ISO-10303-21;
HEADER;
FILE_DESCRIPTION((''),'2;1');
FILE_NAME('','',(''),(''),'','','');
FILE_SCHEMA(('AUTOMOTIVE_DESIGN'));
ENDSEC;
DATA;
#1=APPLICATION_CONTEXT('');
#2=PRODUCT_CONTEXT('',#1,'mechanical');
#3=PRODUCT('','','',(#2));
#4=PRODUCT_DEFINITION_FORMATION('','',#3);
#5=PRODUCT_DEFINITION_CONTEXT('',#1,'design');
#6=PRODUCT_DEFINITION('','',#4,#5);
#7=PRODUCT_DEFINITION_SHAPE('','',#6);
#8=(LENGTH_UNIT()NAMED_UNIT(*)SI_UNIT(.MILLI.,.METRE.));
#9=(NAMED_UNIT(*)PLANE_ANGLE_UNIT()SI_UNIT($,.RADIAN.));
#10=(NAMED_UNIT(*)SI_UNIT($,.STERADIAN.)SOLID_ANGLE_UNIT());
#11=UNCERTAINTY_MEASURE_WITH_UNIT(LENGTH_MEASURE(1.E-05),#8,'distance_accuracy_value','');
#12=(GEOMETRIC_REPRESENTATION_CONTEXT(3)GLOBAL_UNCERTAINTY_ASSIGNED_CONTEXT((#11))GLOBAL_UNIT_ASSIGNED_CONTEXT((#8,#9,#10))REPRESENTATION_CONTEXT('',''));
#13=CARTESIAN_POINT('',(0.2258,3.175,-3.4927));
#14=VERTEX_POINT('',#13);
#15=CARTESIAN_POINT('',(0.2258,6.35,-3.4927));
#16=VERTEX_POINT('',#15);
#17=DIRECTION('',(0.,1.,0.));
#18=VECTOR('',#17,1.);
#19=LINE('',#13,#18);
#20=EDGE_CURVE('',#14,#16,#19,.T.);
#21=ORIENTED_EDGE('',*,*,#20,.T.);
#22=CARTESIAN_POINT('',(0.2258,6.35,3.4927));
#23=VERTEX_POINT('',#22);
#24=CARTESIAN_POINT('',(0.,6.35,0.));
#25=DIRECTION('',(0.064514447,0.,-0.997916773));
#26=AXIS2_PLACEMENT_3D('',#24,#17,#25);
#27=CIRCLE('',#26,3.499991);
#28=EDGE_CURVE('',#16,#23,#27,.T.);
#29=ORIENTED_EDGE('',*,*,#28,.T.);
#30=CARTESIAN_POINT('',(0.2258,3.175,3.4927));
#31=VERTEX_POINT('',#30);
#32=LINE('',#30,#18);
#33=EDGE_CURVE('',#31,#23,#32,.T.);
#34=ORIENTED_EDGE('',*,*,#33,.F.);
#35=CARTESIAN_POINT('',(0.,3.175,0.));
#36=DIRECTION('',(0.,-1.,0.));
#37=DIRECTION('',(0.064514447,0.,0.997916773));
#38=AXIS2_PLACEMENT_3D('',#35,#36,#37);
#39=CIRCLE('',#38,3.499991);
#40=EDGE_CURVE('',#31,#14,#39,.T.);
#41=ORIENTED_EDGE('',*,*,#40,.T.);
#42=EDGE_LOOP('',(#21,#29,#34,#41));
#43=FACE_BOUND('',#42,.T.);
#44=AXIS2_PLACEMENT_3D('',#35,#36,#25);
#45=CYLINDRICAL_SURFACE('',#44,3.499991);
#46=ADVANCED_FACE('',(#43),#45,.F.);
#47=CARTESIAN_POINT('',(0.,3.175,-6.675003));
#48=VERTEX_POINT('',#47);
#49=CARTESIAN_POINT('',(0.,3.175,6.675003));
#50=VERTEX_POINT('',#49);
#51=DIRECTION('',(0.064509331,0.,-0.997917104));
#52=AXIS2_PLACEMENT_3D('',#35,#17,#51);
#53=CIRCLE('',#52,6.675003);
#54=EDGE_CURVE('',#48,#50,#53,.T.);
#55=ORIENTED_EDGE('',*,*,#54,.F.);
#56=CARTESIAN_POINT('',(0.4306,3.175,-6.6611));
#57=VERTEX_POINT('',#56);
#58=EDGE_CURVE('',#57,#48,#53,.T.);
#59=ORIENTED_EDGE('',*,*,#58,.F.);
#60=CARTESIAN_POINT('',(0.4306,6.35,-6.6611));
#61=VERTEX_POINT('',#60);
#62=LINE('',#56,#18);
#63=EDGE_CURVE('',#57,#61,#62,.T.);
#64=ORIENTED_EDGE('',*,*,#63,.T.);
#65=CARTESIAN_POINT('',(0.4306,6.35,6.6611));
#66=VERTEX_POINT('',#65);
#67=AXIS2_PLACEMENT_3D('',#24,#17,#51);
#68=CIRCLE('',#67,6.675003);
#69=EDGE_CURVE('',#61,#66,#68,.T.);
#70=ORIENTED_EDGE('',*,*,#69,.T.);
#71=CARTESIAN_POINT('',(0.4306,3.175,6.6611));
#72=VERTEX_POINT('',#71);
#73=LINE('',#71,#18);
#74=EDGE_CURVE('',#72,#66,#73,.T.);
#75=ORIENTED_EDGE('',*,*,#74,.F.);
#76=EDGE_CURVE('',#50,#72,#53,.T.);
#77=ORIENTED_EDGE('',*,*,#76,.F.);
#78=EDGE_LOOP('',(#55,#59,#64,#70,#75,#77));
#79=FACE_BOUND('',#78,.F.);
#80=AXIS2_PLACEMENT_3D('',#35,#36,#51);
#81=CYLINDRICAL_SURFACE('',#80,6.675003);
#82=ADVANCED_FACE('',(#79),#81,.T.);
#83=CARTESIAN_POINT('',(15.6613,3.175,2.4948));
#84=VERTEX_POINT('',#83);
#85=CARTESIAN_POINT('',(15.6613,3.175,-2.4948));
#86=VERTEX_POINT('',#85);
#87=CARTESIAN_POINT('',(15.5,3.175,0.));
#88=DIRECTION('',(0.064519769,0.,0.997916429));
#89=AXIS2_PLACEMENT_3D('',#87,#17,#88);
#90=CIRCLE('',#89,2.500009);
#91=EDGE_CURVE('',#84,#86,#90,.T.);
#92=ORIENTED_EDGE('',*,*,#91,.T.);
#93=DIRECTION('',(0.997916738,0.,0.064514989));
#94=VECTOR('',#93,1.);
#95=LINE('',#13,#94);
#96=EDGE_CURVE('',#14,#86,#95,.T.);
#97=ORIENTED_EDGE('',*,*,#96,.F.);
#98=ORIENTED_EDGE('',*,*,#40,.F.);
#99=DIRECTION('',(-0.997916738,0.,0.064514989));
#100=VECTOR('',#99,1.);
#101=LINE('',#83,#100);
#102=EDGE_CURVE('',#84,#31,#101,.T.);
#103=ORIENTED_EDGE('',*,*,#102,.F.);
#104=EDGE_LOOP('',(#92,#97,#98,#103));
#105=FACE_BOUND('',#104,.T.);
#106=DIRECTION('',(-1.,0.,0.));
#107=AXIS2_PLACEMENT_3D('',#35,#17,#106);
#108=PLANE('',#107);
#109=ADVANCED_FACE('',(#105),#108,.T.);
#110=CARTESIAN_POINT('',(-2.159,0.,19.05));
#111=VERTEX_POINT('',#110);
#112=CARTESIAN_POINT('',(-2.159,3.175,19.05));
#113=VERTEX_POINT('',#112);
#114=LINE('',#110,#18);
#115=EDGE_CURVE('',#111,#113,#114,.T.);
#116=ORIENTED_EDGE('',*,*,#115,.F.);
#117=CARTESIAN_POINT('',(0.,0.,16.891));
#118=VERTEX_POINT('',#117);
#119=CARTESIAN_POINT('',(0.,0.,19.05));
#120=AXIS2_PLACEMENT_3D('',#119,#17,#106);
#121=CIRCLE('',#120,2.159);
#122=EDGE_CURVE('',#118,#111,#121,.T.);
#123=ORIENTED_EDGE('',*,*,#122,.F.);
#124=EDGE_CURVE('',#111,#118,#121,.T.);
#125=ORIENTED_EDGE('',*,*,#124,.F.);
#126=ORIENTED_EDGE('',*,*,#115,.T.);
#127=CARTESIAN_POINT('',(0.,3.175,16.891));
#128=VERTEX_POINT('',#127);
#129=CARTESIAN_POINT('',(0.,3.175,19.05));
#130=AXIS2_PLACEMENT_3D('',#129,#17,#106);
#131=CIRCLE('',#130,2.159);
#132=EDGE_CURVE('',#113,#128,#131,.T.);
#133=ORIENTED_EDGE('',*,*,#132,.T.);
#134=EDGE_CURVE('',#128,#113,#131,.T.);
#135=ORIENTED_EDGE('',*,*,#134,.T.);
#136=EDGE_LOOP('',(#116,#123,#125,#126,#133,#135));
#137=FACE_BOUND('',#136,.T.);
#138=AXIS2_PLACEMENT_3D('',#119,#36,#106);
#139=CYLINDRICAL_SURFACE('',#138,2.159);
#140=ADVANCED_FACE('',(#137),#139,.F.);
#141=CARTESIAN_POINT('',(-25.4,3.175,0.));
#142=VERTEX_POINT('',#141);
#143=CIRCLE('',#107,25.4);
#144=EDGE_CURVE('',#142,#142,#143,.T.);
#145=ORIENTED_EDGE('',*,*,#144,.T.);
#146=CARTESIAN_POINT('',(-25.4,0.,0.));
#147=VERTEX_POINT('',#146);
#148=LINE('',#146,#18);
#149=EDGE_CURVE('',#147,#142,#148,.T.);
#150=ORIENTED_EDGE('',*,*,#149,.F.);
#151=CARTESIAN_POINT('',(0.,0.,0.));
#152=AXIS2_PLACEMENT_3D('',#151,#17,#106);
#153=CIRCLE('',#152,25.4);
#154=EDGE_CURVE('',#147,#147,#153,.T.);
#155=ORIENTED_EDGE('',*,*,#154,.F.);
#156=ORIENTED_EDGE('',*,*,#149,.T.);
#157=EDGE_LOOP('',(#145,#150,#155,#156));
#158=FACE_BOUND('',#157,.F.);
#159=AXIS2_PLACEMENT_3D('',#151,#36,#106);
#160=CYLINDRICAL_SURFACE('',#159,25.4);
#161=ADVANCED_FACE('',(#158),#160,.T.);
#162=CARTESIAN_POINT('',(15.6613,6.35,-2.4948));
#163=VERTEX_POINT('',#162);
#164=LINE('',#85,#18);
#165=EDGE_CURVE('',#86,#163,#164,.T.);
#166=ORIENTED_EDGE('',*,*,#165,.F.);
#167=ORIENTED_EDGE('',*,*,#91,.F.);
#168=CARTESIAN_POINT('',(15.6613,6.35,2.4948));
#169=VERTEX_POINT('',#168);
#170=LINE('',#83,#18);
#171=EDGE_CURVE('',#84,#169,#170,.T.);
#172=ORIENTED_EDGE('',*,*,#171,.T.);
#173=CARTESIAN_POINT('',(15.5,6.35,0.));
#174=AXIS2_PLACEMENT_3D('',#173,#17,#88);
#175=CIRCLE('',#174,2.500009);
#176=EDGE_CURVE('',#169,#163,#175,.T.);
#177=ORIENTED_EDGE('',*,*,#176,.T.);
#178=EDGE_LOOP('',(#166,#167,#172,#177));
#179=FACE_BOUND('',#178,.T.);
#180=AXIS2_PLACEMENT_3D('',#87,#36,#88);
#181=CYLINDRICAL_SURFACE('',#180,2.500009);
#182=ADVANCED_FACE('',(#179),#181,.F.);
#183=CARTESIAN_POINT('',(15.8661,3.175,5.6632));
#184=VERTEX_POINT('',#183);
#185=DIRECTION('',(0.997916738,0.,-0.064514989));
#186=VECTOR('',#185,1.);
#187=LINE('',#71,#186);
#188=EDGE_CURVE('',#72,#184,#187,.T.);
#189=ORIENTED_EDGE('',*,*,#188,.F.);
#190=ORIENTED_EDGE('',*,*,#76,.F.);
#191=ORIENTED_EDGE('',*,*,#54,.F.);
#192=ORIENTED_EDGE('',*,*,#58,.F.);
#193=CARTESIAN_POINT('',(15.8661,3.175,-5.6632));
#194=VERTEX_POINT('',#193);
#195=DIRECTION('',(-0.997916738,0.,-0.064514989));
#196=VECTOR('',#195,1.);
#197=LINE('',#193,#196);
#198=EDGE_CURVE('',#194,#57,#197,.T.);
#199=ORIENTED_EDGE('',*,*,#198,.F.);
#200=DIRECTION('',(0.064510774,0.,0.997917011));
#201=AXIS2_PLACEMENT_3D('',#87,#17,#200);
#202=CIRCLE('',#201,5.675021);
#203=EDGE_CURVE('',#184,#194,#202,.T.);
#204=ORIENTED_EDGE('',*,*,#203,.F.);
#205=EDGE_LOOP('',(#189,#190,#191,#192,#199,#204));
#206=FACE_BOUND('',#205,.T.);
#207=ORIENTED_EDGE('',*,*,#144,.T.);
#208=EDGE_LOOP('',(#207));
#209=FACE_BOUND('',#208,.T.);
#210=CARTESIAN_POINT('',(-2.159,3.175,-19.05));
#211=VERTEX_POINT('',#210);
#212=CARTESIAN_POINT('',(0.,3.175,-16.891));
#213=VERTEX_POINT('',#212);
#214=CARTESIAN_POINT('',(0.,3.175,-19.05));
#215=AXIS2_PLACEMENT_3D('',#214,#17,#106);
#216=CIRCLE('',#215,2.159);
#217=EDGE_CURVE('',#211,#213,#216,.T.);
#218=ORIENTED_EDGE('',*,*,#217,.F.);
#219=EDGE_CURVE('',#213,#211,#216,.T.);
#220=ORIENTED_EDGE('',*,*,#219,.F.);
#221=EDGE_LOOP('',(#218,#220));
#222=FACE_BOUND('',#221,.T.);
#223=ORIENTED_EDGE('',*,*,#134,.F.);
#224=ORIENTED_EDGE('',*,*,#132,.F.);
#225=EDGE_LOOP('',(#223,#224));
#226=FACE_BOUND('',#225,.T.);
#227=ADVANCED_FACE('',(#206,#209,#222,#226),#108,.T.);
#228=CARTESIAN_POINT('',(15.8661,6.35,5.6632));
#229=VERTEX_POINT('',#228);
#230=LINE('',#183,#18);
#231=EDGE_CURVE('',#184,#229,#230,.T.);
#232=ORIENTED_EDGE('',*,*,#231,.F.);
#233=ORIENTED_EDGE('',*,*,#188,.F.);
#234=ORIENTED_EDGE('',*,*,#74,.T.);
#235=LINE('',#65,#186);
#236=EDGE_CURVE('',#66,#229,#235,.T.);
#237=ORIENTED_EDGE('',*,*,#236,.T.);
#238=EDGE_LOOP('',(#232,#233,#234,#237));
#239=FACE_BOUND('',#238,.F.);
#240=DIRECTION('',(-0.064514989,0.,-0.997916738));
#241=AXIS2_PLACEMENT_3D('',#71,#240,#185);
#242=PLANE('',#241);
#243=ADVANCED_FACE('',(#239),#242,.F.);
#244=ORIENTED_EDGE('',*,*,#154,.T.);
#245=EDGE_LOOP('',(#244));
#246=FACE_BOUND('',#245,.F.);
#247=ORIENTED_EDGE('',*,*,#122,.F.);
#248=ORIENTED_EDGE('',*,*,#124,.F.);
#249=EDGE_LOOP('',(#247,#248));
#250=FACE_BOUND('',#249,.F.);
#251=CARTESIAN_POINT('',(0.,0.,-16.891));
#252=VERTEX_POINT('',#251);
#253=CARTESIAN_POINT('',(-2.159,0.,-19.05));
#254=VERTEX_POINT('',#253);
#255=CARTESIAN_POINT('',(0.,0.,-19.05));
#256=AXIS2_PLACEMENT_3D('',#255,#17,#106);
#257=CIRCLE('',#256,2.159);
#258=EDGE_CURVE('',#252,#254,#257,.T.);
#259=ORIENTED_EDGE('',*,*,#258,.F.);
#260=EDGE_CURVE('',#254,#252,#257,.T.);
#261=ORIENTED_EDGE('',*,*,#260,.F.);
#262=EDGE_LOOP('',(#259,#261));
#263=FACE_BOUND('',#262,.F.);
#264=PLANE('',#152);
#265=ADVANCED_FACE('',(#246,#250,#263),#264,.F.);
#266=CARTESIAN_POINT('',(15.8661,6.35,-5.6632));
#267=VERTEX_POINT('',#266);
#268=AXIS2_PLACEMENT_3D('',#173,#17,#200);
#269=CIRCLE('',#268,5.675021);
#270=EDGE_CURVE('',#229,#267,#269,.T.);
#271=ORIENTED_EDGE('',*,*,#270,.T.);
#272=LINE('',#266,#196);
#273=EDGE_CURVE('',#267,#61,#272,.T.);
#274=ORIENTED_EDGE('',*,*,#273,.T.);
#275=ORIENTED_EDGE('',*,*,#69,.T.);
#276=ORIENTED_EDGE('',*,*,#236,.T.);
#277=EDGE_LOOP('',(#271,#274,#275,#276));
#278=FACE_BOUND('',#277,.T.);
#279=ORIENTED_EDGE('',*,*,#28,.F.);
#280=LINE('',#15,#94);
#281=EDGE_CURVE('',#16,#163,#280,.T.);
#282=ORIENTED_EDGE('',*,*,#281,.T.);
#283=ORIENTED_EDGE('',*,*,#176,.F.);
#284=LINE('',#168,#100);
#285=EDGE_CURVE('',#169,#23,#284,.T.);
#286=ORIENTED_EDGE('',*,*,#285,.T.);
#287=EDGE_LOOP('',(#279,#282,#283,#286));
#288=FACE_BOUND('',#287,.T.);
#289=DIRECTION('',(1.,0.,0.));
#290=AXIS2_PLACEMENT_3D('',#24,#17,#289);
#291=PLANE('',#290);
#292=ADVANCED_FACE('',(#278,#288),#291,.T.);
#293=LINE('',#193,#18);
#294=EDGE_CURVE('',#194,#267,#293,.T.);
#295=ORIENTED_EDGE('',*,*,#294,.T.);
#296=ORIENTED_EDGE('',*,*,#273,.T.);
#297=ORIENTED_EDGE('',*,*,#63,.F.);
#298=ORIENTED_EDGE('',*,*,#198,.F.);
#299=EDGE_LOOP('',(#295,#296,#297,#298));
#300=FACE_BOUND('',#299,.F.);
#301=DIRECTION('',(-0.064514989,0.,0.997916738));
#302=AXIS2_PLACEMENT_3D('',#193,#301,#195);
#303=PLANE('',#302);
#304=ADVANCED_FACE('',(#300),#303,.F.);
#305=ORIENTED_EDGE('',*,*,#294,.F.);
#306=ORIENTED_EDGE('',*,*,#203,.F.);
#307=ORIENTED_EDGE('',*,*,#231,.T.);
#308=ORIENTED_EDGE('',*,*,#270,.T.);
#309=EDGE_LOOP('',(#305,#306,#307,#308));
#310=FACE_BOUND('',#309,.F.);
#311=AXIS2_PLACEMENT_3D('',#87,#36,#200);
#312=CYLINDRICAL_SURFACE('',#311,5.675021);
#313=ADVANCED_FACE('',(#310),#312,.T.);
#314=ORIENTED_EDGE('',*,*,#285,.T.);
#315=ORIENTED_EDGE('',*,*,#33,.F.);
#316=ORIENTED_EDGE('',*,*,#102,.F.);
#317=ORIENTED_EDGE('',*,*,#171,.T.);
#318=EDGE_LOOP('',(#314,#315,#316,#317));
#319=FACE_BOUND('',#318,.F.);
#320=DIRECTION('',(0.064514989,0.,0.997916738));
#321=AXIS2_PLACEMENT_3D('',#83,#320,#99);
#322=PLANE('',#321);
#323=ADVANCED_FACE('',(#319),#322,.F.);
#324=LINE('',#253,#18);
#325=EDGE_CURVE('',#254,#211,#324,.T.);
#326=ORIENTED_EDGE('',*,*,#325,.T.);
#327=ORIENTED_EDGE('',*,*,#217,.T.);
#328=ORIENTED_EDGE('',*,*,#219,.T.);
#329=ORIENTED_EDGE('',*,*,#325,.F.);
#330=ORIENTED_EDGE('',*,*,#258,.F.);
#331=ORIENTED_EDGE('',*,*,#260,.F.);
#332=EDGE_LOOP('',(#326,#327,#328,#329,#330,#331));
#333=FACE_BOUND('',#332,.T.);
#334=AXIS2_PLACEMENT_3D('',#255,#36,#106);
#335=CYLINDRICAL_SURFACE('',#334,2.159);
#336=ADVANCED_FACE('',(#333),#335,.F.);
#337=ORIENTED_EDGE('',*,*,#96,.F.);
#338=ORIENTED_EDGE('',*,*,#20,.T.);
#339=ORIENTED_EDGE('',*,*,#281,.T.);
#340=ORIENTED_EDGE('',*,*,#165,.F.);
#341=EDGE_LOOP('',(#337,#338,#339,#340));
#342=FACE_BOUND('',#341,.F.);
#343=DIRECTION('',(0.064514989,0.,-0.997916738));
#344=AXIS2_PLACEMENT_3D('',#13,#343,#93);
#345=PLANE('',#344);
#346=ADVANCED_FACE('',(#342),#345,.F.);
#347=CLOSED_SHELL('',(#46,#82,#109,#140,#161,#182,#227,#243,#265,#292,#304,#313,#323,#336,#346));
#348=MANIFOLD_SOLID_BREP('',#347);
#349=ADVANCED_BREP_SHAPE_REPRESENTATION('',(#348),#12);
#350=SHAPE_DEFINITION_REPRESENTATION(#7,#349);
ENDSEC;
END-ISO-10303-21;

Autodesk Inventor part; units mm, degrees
ref_plane "YZ Plane" through (0, 0, 0) normal (1, 0, 0) x (0, 1, 0)
ref_plane "XZ Plane" through (0, 0, 0) normal (0, 1, 0) x (-1, 0, 0)
ref_plane "XY Plane" through (0, 0, 0) normal (0, 0, 1) x (1, 0, 0)
sketch "Sketch1" plane through (0, 0, 0) normal (0, 1, 0) x (-1, 0, 0)
  circle A0 centre (0, 0) radius 25.4
  circle A1 centre (0, -19.05) radius 2.159
  circle A2 centre (0, 19.05) radius 2.159
  line L0 (0, 19.05) -> (0, -19.05)
  dimension "d0" = 50.8
  dimension "d1" = 4.318
  dimension "d2" = 4.318
  dimension "d3" = 38.1
extrude "Extrusion1" add sketch "Sketch1" along normal blind 3.175
sketch "Sketch2" plane through (0, 3.175, 0) normal (0, 1, 0) x (1, 0, 0)
  arc A0 (0.2258, 3.4927) -> (0.2258, -3.4927) centre (0, 0) ccw
  arc A1 (15.6613, -2.4948) -> (15.6613, 2.4948) centre (15.5, 0) ccw
  line L0 (0.2258, 3.4927) -> (15.6613, 2.4948)
  line L1 (15.6613, -2.4948) -> (0.2258, -3.4927)
  line L2 (15.8661, 5.6632) -> (0.4306, 6.6611)
  arc A2 (0.4306, 6.6611) -> (0.4306, -6.6611) centre (0, 0) ccw
  line L3 (0.4306, -6.6611) -> (15.8661, -5.6632)
  arc A3 (15.8661, -5.6632) -> (15.8661, 5.6632) centre (15.5, 0) ccw
  dimension "d6" = 7
  dimension "d7" = 5
  dimension "d8" = 21.5
  dimension "d9" = 3.175
extrude "Extrusion2" add sketch "Sketch2" along normal blind 3.175
properties part number "Thingy"
